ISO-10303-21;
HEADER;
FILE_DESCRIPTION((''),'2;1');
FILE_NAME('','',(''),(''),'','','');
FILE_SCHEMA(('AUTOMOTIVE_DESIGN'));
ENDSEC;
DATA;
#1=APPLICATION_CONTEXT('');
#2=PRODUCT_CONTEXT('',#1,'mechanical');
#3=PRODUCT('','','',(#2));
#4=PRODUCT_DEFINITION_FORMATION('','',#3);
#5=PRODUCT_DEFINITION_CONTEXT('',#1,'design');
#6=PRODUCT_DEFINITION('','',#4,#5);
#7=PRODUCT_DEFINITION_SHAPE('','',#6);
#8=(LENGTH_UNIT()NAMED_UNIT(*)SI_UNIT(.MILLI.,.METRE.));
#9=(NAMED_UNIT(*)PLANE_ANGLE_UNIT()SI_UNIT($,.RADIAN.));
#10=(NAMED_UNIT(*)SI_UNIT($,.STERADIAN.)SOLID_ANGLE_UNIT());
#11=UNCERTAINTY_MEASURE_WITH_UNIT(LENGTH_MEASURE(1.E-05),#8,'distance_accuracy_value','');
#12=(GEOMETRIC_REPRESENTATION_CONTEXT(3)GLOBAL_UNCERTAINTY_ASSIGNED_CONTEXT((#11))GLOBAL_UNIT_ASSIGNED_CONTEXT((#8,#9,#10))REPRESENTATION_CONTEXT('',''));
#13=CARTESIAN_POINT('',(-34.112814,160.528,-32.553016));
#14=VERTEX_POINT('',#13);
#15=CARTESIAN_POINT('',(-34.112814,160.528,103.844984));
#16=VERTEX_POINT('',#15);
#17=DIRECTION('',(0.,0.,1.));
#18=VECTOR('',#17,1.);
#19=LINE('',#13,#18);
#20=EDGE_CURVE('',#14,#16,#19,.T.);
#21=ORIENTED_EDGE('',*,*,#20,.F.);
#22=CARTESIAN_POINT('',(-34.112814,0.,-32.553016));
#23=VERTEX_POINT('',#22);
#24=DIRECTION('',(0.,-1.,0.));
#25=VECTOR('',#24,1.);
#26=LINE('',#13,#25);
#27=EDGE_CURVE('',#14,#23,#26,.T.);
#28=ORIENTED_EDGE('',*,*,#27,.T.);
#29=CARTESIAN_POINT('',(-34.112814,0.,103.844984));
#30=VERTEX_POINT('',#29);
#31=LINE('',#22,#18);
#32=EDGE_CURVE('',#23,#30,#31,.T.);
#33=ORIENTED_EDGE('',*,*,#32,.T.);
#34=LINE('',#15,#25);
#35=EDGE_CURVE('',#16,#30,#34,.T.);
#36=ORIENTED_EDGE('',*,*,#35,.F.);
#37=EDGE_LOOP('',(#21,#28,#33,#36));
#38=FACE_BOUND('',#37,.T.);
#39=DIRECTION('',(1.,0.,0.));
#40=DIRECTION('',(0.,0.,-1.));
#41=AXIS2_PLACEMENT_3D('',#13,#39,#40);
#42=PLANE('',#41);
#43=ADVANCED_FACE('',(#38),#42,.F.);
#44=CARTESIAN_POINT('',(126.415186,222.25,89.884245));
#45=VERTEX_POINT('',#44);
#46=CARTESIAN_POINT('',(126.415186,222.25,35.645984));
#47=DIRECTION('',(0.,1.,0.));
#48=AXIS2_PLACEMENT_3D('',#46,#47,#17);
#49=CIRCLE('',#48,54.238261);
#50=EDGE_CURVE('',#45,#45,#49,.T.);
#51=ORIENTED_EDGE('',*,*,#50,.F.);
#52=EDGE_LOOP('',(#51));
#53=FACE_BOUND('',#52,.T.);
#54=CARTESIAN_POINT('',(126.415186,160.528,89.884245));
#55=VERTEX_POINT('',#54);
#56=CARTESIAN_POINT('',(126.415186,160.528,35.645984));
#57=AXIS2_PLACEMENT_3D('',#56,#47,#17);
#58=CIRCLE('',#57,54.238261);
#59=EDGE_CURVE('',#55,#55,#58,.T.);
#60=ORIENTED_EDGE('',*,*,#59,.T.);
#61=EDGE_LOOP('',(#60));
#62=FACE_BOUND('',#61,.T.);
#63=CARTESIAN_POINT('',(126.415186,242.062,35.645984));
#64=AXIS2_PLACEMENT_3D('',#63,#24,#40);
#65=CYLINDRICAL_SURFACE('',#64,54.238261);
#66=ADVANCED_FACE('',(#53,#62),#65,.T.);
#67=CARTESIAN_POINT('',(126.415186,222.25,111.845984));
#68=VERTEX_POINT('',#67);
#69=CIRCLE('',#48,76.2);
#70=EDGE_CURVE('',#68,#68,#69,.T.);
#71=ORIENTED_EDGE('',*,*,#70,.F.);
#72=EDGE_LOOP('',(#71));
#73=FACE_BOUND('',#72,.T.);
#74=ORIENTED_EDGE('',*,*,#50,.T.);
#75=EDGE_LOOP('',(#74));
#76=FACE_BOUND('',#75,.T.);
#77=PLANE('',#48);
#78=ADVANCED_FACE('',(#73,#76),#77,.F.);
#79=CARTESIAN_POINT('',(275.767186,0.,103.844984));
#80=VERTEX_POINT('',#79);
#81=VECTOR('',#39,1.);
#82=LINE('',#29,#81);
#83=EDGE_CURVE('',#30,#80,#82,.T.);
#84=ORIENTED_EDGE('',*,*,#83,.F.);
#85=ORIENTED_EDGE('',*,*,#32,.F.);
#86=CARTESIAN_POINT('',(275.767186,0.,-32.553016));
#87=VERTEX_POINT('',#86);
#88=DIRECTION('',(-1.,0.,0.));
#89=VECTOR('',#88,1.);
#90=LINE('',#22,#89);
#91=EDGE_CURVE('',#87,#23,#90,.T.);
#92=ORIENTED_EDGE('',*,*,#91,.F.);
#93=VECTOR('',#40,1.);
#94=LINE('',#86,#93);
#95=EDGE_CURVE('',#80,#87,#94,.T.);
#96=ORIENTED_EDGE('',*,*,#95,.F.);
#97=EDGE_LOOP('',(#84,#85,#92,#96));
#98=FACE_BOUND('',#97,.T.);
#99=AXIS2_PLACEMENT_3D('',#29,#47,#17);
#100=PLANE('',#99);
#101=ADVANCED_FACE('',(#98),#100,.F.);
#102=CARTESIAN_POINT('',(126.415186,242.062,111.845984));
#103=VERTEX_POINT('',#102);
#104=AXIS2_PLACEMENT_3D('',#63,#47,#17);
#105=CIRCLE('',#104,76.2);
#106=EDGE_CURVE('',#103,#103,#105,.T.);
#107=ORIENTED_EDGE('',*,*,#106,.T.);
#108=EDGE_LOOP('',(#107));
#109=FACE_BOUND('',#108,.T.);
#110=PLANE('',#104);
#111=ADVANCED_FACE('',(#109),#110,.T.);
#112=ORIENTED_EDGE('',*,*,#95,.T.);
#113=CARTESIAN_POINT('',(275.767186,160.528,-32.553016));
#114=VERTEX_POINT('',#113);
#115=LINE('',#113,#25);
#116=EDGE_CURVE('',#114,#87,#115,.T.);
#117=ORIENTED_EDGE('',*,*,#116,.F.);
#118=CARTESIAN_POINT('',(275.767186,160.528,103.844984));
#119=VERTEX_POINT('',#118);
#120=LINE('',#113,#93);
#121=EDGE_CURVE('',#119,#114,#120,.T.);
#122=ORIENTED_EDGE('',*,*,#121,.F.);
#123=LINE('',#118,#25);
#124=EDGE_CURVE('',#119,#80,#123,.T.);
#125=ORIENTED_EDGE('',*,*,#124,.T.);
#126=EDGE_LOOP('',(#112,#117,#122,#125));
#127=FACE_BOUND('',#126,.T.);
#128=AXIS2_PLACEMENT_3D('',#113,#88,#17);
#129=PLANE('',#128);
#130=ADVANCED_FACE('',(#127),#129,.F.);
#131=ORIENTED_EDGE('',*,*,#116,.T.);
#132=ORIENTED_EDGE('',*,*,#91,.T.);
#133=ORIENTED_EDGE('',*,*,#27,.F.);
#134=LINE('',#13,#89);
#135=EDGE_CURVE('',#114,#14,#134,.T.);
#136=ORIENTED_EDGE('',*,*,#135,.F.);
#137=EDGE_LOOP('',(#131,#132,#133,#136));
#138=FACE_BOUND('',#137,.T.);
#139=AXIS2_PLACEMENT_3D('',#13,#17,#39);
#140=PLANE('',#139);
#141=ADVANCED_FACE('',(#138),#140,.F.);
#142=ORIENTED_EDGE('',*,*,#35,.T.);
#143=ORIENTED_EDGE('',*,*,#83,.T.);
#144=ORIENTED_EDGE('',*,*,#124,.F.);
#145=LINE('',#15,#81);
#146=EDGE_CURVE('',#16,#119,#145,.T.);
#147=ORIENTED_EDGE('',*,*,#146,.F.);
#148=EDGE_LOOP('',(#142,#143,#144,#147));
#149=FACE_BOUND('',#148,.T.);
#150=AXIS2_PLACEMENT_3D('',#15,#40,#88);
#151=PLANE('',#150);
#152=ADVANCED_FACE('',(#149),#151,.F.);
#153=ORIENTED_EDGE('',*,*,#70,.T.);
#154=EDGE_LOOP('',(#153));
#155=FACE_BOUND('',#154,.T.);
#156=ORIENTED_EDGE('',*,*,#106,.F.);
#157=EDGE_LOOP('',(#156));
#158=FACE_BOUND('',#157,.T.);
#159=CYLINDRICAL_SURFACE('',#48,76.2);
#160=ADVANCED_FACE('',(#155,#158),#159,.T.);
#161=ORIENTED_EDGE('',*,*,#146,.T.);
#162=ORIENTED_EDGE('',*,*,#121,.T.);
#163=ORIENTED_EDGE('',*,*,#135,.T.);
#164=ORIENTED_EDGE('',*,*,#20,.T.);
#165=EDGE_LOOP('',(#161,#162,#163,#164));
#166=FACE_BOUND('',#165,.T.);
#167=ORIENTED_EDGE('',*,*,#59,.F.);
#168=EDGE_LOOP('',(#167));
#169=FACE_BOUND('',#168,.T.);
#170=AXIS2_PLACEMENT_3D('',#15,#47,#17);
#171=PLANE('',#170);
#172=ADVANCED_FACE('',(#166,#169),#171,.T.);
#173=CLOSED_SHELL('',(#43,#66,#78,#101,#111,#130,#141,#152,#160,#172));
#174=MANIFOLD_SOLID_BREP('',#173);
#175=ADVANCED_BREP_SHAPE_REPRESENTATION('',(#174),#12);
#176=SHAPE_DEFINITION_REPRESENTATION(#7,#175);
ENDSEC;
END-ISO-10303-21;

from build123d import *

# Parameters (mm, degrees)
SKETCH1_W      = 309.88
SKETCH1_H      = 136.398
EXTRUDE1_DEPTH = 160.528
SKETCH2_R      = 54.23826071
EXTRUDE2_DEPTH = 81.534
SKETCH3_R      = 76.2
EXTRUDE3_DEPTH = 19.812


with BuildPart() as part:
    # Sketch1 → Extrude1 (new body)
    with BuildSketch(Plane(origin=(0, 0, 0), x_dir=(1, 0, 0), z_dir=(0, 1, 0))):
        with Locations((120.827186097, -35.645984436)):
            Rectangle(SKETCH1_W, SKETCH1_H)
    extrude(amount=EXTRUDE1_DEPTH)

    # Sketch2 → Extrude2 (add)
    with BuildSketch(Plane(origin=(0, 160.528, 0), x_dir=(1, 0, 0), z_dir=(0, 1, 0))):
        with Locations(Location((126.415186097, -35.645984436, 0), (0, 0, 270))):
            Circle(SKETCH2_R)
    extrude(amount=EXTRUDE2_DEPTH)

    # Sketch3 → Extrude3 (add)
    with BuildSketch(Plane(origin=(0, 242.062, 0), x_dir=(1, 0, 0), z_dir=(0, 1, 0))):
        with Locations(Location((126.415186097, -35.645984436, 0), (0, 0, 270))):
            Circle(SKETCH3_R)
    extrude(amount=-EXTRUDE3_DEPTH)


solid = part.part
